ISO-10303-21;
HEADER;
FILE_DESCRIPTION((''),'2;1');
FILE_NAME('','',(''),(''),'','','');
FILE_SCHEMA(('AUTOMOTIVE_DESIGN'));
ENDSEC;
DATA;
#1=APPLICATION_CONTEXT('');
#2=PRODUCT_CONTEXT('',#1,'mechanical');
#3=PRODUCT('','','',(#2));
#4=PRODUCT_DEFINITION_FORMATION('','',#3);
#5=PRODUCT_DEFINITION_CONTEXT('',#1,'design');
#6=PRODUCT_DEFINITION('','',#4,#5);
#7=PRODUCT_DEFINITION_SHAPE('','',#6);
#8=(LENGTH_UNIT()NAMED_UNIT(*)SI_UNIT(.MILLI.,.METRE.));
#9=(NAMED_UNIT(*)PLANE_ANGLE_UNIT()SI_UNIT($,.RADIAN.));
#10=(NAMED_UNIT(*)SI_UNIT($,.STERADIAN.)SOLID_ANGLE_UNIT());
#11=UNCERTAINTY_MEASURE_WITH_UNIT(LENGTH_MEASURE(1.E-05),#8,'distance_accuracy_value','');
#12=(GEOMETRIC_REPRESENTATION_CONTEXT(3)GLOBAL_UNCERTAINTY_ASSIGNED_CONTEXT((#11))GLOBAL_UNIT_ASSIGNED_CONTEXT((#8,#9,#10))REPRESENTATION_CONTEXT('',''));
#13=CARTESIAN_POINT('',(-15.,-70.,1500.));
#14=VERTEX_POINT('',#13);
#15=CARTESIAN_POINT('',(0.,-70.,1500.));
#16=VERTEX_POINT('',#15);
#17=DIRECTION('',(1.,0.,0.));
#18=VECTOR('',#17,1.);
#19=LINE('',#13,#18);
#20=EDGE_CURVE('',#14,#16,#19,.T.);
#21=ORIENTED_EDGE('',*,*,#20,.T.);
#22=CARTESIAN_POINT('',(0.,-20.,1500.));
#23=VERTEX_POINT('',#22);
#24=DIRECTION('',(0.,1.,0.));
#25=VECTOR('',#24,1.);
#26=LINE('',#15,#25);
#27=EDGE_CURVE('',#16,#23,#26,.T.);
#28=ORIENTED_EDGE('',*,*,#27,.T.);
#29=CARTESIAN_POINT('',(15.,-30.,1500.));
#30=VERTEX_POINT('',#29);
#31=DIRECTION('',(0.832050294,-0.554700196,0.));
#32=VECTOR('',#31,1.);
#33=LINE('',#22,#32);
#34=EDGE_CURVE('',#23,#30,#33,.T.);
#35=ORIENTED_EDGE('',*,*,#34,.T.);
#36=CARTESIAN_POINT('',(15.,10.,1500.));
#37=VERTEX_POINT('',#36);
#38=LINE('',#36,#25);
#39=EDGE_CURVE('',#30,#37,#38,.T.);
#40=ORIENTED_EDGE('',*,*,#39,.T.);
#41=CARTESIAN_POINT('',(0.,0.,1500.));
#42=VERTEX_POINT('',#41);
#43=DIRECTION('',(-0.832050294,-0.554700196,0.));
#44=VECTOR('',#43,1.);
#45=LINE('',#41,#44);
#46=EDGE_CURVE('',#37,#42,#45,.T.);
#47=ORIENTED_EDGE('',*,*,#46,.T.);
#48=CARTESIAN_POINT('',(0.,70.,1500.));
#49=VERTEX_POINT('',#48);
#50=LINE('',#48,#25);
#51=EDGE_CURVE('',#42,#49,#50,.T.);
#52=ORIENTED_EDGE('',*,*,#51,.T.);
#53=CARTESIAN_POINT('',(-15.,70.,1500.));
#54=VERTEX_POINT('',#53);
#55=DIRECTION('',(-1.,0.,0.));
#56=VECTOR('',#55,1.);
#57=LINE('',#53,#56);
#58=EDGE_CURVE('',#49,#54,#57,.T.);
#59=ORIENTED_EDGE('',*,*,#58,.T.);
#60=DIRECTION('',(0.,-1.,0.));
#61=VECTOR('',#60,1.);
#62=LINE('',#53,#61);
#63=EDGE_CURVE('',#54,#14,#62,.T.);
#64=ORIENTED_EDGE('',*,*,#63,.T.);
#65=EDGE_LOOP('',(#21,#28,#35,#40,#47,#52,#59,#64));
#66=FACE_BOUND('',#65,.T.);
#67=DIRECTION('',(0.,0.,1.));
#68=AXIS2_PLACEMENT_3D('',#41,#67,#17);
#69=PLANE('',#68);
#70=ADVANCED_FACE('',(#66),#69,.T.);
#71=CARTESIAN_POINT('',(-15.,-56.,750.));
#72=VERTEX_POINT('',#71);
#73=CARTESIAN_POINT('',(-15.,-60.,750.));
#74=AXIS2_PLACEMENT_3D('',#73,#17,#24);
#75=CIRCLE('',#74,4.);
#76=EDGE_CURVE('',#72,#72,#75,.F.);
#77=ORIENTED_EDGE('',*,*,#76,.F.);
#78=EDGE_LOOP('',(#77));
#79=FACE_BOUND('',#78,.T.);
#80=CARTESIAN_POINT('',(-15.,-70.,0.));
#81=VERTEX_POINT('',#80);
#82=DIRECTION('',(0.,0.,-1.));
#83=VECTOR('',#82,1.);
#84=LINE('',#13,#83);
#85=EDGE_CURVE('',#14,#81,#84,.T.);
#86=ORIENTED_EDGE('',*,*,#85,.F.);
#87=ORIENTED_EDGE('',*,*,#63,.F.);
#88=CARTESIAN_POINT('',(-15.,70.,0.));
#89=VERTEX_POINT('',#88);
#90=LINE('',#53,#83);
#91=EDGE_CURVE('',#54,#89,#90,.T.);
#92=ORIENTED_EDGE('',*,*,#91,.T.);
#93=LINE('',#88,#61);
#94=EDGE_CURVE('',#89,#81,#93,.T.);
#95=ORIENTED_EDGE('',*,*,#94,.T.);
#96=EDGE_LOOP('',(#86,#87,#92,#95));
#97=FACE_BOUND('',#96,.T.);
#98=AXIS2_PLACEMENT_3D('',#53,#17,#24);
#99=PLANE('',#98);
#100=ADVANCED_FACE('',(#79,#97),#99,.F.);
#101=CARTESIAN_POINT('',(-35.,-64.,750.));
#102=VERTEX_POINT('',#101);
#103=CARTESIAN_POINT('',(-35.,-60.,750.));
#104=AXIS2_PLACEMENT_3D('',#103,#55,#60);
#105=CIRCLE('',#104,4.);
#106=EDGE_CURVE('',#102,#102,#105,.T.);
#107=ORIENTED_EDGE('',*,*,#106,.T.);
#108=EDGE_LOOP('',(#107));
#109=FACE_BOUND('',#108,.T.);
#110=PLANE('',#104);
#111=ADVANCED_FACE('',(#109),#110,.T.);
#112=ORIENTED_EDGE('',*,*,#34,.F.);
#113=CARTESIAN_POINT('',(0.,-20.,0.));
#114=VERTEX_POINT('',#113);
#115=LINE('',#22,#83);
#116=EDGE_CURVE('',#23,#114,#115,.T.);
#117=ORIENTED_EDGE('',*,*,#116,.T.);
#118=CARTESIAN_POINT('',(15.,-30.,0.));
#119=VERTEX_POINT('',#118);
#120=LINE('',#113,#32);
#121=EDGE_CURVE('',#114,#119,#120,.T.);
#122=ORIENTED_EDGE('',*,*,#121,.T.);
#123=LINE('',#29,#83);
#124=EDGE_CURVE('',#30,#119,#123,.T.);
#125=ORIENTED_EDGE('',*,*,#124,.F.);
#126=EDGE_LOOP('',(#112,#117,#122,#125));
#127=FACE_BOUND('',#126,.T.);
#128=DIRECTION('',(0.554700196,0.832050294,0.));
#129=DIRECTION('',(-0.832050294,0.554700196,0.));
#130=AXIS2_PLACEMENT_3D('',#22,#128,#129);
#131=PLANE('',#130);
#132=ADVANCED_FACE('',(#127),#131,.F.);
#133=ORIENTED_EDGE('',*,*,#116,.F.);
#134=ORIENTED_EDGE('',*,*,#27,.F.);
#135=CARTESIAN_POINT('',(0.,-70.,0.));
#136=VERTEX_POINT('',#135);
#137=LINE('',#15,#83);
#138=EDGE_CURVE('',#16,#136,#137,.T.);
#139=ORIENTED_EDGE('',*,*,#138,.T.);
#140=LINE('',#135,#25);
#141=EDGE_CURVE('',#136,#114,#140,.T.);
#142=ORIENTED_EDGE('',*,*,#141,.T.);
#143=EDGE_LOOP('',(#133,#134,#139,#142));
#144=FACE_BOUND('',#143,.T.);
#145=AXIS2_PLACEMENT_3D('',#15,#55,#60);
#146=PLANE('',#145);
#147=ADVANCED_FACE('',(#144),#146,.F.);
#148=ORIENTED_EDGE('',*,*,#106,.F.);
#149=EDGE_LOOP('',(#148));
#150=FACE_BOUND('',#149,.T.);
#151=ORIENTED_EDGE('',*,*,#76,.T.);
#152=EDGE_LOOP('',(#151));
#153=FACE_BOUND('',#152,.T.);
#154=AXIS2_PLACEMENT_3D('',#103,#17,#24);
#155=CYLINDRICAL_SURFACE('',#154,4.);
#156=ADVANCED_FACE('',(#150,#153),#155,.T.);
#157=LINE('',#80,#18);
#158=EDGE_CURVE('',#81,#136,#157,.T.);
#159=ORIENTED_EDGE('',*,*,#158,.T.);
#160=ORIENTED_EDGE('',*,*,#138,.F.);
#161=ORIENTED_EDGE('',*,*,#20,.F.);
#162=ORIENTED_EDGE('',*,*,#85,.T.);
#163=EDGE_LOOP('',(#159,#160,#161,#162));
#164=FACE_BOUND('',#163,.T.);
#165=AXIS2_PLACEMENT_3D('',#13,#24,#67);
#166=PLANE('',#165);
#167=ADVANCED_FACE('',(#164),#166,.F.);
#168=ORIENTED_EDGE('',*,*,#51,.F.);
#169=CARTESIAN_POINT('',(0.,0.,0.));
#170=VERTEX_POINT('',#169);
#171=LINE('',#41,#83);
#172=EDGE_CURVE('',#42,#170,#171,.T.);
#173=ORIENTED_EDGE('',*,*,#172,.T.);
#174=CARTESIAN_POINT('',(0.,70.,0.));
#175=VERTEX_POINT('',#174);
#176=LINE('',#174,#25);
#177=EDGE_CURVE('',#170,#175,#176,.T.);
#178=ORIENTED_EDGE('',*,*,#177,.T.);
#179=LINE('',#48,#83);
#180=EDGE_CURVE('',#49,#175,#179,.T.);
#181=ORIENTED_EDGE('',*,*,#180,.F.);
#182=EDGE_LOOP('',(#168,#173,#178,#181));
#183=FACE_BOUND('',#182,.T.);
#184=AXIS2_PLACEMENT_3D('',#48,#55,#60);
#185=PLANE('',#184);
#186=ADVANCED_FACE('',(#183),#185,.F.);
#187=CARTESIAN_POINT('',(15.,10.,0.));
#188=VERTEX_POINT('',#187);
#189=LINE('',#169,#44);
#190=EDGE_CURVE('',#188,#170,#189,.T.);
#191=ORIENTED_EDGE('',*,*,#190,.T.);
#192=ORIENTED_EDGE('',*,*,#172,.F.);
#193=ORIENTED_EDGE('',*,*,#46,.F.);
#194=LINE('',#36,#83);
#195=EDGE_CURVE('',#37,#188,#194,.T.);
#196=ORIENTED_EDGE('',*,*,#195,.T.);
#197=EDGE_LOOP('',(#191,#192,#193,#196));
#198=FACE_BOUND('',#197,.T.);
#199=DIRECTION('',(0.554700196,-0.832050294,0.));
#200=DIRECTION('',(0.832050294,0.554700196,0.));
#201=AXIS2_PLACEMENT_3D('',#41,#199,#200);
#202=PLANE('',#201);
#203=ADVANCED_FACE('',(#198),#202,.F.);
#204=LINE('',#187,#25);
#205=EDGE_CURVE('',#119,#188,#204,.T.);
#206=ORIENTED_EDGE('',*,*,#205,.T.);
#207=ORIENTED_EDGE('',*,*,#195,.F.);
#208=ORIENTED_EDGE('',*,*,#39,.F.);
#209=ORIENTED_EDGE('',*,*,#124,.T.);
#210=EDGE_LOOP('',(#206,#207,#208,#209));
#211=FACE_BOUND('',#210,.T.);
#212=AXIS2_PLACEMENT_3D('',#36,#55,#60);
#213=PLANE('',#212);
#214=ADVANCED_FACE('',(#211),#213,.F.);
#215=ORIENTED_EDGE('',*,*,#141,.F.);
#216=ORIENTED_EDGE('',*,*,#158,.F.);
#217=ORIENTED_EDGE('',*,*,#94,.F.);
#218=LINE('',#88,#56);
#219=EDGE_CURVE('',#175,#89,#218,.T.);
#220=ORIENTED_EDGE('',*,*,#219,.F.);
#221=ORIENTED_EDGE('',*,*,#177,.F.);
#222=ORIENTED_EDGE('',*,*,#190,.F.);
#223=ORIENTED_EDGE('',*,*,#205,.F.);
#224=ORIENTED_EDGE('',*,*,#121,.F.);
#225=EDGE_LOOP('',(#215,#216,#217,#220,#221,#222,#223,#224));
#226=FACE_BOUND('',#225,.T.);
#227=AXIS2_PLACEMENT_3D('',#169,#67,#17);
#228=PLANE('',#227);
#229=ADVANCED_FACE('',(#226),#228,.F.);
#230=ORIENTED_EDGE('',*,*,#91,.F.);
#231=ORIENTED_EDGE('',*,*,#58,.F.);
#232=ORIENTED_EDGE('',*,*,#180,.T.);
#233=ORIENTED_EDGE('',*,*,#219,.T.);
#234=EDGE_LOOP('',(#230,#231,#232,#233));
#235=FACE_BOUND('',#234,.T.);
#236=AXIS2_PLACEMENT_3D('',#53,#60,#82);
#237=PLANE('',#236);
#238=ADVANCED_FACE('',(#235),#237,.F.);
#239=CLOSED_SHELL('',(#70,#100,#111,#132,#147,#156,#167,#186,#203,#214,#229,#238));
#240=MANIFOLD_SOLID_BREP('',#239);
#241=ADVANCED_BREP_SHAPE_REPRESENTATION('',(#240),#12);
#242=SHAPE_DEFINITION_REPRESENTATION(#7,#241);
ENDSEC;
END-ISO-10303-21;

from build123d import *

# Parameters (mm, degrees)
BOSS_EXTRUDE1_DEPTH = 1500
SKETCH3_R           = 4
BOSS_EXTRUDE2_DEPTH = 20


with BuildPart() as part:
    # Sketch2 → Boss-Extrude1 (new body)
    with BuildSketch(Plane.XY):
        Polygon((0, -70), (0, -20), (15, -30), (15, 10), (0, 0), (0, 70), (-15, 70), (-15, -70), align=None)
    extrude(amount=BOSS_EXTRUDE1_DEPTH)

    # Sketch3 → Boss-Extrude2 (add)
    with BuildSketch(Plane.ZY.offset(15)):
        with Locations(Location((750, -60, 0), (0, 0, 90))):
            Circle(SKETCH3_R)
    extrude(amount=BOSS_EXTRUDE2_DEPTH)


solid = part.part
